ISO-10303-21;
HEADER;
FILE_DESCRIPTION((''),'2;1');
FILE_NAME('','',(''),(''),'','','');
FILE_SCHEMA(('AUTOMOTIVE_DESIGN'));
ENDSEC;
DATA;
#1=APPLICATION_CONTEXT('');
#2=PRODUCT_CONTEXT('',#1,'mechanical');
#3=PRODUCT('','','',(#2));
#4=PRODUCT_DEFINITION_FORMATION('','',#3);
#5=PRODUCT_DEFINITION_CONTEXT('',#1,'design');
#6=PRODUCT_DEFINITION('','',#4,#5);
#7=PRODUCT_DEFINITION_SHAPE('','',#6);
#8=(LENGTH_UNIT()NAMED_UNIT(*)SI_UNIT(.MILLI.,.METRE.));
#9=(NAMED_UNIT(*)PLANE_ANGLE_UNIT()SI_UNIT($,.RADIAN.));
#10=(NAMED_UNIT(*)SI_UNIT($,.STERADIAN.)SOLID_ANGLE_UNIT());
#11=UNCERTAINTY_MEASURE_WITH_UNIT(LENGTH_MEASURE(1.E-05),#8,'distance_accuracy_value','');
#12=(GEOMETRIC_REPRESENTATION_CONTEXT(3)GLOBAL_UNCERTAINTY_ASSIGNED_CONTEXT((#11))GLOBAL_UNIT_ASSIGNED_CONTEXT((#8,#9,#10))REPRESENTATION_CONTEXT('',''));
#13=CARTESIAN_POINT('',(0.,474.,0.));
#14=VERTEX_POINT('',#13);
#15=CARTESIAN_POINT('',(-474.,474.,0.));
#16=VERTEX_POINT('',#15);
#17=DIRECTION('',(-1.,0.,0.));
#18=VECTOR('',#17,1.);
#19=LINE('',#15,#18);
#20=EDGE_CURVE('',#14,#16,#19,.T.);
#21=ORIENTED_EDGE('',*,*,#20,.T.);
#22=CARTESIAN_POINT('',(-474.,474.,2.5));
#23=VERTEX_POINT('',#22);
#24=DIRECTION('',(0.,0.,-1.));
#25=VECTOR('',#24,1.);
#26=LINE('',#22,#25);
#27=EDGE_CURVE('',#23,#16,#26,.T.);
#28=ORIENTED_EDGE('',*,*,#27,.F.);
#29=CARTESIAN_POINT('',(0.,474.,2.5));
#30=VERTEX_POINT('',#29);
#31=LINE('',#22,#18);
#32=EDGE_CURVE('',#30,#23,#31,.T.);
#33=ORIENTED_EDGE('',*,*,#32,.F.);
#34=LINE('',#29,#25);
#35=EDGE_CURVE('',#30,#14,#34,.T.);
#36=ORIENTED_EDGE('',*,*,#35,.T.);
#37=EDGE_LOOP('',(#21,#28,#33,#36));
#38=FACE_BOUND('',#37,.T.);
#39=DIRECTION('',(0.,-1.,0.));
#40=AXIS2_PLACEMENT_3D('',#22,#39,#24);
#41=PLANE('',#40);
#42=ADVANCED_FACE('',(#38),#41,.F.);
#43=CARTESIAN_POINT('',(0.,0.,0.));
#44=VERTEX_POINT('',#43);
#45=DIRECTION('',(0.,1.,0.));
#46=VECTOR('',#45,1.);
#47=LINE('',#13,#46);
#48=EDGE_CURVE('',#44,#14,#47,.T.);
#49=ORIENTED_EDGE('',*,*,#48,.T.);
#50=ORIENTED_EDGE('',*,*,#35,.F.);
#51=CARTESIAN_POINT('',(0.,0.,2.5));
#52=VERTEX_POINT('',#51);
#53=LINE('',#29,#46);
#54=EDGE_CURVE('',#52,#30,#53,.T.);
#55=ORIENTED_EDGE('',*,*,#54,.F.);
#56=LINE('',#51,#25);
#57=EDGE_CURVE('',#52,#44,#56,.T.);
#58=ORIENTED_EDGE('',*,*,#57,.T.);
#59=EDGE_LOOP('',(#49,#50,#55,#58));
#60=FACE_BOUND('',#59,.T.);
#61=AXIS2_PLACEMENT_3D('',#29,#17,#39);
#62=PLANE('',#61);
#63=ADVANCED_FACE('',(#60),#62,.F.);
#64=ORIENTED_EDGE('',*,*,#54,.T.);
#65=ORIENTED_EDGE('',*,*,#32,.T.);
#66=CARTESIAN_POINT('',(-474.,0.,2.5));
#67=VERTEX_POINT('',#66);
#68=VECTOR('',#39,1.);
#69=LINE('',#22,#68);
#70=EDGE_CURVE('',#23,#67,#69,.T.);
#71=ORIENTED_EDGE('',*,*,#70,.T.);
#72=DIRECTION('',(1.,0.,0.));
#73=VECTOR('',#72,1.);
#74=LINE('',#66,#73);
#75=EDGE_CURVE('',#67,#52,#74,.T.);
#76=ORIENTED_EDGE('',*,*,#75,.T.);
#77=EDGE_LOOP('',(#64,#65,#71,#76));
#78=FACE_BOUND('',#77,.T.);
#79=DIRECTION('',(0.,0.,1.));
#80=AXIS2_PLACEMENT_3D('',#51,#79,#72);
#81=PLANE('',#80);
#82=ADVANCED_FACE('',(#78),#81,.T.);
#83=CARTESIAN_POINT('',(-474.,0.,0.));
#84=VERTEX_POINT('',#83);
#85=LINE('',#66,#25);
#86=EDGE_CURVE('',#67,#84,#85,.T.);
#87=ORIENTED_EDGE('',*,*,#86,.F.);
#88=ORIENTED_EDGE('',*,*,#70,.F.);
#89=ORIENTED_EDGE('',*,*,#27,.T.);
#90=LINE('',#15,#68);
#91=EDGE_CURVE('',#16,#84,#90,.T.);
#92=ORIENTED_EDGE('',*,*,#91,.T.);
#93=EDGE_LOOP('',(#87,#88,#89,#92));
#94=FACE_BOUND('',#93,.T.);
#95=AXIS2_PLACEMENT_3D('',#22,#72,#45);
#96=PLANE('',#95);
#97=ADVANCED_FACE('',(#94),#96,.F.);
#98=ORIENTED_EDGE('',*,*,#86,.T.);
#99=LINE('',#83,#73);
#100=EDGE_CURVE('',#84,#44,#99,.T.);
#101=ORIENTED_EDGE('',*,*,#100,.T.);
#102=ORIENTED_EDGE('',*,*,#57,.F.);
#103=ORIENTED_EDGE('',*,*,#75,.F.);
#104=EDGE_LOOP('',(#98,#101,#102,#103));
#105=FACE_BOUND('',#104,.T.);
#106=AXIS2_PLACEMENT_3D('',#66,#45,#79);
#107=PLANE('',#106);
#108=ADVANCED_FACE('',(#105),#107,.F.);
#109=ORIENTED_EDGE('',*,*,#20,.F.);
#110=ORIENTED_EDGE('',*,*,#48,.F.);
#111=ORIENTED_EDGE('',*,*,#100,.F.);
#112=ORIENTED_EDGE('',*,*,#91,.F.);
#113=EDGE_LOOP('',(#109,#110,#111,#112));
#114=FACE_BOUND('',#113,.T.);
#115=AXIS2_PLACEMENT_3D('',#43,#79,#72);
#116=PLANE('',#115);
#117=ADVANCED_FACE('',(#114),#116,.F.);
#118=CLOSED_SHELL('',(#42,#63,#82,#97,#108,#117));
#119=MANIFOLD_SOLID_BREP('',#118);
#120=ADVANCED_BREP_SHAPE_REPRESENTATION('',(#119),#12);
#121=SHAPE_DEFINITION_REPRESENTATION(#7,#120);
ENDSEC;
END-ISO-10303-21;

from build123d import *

# Parameters (mm, degrees)
SKETCH1_W           = 474
SKETCH1_H           = 474
BOSS_EXTRUDE1_DEPTH = 2.5


with BuildPart() as part:
    # Sketch1 → Boss-Extrude1 (new body)
    with BuildSketch(Plane.XY):
        with Locations((-237, 237)):
            Rectangle(SKETCH1_W, SKETCH1_H)
    extrude(amount=BOSS_EXTRUDE1_DEPTH)


solid = part.part
